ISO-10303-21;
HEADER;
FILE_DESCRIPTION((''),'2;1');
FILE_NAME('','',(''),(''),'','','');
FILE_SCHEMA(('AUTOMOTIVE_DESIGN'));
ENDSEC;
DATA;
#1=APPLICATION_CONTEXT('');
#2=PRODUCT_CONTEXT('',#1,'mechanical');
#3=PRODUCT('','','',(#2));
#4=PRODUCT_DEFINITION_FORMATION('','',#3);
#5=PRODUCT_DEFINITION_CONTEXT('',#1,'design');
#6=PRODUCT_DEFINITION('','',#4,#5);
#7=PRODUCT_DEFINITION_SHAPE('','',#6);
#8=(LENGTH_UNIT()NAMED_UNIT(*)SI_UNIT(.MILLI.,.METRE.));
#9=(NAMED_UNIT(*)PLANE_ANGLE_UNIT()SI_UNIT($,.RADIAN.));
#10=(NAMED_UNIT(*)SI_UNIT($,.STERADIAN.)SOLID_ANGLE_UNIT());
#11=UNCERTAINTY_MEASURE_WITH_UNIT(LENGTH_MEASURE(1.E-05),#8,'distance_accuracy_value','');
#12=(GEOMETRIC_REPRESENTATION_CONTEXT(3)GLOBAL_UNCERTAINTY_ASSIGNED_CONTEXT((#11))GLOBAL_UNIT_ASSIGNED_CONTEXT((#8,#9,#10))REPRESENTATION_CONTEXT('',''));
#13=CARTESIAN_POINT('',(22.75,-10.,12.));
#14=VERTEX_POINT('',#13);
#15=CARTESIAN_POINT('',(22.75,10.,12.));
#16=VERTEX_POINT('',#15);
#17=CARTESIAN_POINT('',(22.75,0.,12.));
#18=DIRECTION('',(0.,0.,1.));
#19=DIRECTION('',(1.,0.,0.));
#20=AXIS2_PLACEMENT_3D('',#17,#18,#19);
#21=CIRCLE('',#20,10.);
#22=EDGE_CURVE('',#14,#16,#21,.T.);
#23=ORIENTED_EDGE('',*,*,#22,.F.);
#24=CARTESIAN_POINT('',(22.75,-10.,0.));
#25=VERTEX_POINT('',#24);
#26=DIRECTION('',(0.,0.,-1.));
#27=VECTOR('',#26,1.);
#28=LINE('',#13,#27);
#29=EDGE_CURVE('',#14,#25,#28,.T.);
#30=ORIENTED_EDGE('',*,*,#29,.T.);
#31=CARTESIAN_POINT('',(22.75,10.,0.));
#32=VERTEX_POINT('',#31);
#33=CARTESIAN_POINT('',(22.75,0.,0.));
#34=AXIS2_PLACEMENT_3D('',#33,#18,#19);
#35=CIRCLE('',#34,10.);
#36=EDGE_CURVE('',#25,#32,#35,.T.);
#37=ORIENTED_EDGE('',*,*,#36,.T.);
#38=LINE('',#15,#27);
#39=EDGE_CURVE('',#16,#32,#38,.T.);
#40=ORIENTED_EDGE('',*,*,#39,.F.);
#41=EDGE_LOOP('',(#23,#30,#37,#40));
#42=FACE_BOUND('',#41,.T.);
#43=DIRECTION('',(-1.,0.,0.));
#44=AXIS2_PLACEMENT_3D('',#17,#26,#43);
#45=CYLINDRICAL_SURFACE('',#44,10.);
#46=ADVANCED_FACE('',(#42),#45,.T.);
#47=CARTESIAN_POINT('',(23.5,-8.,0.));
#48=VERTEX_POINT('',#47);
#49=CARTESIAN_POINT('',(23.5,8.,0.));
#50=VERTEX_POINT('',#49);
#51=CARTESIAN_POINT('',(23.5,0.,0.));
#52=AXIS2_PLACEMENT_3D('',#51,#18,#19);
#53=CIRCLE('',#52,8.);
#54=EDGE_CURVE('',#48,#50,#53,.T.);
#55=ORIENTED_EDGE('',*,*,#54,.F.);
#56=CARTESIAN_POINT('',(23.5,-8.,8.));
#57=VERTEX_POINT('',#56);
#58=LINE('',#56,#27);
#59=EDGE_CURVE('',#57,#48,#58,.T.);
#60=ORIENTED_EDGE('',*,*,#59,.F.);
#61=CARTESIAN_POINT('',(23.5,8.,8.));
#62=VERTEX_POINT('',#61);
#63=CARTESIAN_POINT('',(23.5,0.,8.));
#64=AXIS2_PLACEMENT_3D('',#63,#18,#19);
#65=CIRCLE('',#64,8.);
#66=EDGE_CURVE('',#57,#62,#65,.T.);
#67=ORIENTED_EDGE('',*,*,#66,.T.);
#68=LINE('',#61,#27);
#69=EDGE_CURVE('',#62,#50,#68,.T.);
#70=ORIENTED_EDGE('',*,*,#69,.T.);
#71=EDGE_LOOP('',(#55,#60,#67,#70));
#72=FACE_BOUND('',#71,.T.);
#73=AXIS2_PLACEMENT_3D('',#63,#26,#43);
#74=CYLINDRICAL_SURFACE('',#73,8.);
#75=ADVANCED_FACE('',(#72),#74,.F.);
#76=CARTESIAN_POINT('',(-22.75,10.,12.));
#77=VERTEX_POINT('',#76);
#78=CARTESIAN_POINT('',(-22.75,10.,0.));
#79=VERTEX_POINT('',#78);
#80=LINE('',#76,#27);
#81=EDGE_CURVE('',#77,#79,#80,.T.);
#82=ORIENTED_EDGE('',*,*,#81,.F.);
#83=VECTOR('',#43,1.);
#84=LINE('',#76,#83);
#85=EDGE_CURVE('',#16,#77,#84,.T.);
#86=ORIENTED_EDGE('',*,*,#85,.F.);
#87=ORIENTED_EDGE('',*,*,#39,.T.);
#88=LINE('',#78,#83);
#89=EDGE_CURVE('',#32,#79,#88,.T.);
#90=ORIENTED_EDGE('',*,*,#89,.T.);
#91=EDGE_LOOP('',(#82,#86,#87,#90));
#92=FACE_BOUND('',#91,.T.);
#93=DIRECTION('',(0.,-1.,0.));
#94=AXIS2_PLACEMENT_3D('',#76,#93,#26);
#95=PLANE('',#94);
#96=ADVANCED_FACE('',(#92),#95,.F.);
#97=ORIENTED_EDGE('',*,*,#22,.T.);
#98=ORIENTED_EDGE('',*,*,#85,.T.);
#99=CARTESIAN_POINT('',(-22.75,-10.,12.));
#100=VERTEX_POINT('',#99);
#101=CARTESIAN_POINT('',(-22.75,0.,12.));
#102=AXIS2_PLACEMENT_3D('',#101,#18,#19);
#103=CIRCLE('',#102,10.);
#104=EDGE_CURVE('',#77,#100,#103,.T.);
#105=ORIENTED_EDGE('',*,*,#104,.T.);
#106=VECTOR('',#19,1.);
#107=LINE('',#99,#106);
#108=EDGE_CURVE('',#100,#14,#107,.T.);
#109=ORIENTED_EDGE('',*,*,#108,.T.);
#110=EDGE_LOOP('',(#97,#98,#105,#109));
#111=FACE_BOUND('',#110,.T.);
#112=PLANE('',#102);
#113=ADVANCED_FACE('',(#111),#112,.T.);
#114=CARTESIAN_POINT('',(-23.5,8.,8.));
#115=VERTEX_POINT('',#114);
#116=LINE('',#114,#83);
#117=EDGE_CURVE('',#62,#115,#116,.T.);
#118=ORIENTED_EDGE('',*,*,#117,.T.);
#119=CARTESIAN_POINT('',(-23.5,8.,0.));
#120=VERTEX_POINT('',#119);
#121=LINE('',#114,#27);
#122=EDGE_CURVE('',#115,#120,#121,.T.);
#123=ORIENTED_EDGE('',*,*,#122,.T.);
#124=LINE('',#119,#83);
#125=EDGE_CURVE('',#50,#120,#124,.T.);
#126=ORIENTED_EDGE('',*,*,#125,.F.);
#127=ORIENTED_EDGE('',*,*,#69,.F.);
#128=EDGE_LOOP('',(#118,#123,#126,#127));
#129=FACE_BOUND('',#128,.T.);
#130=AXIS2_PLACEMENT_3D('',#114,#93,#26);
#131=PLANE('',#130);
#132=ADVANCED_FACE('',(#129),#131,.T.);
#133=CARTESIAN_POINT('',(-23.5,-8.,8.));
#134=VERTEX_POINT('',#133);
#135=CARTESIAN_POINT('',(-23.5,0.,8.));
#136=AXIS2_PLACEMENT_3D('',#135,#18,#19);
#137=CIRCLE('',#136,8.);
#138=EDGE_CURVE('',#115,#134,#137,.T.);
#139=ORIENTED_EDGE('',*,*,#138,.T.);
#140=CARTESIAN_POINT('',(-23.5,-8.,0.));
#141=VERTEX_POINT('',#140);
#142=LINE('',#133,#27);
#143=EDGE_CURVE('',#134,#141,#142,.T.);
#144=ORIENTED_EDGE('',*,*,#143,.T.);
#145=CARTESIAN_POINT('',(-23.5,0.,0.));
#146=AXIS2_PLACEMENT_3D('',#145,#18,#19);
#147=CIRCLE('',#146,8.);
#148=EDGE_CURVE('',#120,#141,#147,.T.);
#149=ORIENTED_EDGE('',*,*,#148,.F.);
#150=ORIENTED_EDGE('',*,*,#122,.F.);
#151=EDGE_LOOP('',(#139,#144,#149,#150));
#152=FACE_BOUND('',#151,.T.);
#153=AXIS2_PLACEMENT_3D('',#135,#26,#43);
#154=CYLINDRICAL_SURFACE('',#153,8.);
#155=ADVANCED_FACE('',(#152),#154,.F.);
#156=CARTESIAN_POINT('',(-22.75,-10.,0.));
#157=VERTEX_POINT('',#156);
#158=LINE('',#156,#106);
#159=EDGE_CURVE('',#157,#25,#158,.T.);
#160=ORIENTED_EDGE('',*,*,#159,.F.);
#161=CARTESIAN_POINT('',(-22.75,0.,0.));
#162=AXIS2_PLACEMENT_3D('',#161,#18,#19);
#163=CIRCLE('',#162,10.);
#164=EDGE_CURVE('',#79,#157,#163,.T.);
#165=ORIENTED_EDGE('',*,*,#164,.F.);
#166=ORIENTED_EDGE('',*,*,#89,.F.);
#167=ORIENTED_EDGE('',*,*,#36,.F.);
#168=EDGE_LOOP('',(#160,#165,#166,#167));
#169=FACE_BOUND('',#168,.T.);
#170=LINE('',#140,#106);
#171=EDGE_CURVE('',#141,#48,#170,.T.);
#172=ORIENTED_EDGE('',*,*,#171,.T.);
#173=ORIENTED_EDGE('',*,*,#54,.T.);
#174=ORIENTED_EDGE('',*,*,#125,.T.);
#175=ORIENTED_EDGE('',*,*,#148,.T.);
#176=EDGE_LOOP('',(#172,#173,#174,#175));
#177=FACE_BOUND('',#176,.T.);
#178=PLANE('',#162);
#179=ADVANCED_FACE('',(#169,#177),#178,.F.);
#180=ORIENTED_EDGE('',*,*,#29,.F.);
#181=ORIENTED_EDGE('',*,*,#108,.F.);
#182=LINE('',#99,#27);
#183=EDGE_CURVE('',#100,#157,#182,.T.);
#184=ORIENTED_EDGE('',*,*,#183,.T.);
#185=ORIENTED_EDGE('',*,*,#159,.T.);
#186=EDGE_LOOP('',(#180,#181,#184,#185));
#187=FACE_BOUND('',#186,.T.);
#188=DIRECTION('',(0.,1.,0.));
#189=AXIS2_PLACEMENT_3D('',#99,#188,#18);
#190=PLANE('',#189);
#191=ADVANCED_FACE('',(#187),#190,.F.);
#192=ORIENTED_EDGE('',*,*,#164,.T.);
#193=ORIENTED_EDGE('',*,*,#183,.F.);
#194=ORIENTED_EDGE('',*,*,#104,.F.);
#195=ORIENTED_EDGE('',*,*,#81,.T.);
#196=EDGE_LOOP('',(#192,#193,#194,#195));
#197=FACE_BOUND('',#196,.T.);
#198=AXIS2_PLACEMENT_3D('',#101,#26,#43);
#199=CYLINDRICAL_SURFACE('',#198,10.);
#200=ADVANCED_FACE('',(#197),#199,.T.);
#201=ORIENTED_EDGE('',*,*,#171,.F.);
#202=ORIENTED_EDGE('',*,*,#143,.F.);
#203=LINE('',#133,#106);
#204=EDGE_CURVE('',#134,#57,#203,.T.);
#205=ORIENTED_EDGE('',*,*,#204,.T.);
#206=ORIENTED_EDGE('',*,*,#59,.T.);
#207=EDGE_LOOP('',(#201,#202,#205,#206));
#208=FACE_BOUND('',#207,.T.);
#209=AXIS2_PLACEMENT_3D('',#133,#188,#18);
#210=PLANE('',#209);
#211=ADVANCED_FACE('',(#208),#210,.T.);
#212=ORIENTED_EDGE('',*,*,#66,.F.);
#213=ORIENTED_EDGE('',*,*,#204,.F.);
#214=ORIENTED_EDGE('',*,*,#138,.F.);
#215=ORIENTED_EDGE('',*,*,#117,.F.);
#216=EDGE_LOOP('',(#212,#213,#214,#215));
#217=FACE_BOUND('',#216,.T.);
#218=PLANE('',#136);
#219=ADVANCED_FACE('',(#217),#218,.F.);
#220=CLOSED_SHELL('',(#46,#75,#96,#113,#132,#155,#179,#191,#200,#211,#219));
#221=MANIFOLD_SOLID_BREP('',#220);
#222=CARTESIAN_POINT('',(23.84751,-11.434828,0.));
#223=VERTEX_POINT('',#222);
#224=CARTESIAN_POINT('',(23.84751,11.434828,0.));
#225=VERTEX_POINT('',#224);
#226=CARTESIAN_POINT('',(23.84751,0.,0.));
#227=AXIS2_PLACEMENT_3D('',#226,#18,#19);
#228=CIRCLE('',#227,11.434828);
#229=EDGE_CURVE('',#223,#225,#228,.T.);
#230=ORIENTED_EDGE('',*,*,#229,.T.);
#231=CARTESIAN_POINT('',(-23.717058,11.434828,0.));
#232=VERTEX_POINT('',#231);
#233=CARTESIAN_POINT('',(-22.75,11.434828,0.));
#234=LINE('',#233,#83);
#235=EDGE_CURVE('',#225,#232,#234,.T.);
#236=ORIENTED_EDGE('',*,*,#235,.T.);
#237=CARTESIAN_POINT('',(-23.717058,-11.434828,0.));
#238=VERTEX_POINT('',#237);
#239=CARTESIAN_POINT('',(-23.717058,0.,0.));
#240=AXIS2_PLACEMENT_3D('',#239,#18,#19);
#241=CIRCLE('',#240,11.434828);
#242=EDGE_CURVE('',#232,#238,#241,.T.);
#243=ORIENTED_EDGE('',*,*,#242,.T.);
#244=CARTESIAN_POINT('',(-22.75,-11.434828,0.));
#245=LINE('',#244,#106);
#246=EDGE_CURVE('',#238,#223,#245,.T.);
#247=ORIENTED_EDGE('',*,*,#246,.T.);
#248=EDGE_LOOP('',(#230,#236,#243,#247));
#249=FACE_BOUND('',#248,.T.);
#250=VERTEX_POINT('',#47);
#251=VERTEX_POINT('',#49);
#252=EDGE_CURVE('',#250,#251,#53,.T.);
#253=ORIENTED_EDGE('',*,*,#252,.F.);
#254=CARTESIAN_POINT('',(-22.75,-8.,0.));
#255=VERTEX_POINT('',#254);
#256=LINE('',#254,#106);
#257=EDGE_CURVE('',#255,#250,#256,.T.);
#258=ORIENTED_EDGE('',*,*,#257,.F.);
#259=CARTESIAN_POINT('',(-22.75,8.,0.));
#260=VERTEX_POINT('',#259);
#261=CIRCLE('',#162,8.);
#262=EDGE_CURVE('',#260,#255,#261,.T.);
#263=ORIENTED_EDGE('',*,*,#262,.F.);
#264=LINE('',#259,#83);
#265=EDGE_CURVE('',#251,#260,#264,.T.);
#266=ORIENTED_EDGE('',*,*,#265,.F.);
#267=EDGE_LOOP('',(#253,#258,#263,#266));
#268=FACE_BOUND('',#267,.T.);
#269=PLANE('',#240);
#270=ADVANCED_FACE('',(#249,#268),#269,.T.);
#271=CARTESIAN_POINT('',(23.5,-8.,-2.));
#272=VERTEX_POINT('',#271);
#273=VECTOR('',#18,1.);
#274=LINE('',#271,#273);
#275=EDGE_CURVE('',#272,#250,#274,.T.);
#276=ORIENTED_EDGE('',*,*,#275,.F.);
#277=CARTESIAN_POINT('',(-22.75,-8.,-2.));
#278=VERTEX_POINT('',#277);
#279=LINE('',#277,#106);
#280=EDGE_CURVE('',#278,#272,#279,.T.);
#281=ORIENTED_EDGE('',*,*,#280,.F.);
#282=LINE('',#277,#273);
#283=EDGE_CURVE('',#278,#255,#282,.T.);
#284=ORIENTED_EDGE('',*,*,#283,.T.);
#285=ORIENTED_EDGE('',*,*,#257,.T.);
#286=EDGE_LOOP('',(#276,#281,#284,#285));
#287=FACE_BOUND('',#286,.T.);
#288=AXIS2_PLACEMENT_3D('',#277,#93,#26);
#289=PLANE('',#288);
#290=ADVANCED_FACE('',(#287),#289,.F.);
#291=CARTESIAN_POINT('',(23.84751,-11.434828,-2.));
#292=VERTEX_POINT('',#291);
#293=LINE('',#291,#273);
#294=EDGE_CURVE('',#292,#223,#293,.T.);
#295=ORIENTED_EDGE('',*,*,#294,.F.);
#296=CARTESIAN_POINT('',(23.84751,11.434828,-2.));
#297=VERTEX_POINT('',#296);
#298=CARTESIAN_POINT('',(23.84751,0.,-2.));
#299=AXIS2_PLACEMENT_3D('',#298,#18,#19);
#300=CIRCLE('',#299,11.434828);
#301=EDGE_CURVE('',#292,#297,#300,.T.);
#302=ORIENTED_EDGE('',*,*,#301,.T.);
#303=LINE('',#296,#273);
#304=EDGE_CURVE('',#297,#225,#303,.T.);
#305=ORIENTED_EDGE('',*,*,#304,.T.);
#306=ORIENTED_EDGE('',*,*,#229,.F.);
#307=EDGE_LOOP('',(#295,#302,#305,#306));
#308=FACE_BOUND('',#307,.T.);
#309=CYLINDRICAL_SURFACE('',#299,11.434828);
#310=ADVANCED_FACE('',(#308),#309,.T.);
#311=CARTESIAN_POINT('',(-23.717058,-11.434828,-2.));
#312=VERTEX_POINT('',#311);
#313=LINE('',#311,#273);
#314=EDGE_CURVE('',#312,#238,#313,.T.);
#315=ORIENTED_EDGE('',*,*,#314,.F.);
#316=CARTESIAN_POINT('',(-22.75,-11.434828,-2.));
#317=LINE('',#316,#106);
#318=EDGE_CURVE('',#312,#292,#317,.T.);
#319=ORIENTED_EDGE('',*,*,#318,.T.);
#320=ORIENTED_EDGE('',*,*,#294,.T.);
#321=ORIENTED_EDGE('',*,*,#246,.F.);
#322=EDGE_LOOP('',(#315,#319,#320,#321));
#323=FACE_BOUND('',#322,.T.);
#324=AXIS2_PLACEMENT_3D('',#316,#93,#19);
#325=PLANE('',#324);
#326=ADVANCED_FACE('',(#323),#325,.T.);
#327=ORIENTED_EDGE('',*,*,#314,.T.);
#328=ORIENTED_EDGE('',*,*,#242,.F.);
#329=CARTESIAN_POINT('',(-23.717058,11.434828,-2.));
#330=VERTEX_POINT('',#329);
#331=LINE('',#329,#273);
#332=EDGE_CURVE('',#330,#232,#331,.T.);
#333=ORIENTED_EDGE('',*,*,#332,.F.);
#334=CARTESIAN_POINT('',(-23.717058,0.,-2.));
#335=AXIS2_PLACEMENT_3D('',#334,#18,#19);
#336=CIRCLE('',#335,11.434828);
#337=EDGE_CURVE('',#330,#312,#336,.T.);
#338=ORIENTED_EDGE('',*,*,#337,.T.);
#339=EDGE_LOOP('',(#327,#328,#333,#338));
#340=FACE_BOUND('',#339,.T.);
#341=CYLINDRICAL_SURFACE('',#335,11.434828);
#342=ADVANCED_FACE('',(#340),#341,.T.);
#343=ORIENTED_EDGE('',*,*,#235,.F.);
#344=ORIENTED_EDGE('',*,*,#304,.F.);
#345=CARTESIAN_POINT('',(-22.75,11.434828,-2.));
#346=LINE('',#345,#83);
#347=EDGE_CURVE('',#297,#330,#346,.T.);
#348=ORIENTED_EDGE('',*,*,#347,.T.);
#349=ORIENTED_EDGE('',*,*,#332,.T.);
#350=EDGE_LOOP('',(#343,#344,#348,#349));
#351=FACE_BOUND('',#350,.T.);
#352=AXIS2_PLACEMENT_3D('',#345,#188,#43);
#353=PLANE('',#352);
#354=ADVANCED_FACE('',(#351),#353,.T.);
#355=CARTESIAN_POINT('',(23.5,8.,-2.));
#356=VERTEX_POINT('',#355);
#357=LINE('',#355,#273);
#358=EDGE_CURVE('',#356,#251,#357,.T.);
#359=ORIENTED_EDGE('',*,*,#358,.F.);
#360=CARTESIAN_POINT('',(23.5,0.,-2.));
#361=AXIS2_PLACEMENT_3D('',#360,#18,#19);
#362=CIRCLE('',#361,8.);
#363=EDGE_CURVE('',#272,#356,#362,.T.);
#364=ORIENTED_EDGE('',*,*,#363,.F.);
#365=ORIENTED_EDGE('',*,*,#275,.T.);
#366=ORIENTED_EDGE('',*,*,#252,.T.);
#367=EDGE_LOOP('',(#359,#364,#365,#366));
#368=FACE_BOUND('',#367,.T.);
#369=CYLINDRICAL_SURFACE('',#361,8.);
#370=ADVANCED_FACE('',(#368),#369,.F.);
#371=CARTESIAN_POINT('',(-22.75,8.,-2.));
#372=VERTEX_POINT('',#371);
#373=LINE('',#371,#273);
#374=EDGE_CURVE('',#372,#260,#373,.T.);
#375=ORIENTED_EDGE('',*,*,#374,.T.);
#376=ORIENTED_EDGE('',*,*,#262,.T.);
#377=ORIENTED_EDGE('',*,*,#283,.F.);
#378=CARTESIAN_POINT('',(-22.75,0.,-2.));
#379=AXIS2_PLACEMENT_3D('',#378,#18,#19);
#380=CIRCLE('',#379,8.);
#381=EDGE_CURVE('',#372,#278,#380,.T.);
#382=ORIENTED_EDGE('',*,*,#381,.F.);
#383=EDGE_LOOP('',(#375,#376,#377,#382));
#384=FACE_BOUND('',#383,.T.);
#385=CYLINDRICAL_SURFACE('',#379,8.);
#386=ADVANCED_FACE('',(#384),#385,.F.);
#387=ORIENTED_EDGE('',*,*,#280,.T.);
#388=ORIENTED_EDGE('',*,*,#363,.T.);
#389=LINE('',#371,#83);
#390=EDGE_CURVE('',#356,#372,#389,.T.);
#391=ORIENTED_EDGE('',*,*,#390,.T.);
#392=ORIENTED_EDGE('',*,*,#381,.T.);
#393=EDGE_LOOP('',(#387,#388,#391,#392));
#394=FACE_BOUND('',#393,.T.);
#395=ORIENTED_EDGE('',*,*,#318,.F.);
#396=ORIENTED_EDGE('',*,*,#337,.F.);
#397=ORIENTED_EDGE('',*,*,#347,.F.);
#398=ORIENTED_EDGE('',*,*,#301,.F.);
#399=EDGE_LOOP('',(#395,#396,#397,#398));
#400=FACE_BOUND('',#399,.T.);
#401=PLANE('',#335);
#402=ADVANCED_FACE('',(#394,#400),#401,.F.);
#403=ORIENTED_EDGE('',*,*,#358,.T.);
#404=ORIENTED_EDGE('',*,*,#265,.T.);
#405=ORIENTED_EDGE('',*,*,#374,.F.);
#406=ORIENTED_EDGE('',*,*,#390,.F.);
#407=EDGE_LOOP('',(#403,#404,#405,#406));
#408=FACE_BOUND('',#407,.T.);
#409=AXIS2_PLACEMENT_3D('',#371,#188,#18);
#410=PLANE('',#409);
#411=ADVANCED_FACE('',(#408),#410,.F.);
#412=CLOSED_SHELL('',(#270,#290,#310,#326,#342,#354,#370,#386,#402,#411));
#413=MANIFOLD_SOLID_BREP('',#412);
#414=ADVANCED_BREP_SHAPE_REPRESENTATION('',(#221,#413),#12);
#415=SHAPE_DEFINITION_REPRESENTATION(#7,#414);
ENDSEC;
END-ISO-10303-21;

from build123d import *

# Parameters (mm, degrees)
BOSS_EXTRUDE1_DEPTH = 12
CUT_EXTRUDE1_DEPTH  = 8
BOSS_EXTRUDE2_START = -12
BOSS_EXTRUDE2_DEPTH = 2


with BuildPart() as part:
    # Sketch1 → Boss-Extrude1 (new body)
    with BuildSketch(Plane.XY):
        with BuildLine():
            Line((-22.75, 10), (22.75, 10))
            ThreePointArc((22.75, 10), (32.75, 0), (22.75, -10))
            Line((22.75, -10), (-22.75, -10))
            ThreePointArc((-22.75, -10), (-32.75, 0), (-22.75, 10))
        make_face()
    extrude(amount=BOSS_EXTRUDE1_DEPTH)

    # Sketch2 → Cut-Extrude1 (cut)
    with BuildSketch(Plane.XY):
        with BuildLine():
            Line((-23.5, 8), (23.5, 8))
            ThreePointArc((23.5, 8), (31.5, 0), (23.5, -8))
            Line((23.5, -8), (-23.5, -8))
            ThreePointArc((-23.5, -8), (-31.5, 0), (-23.5, 8))
        make_face()
    extrude(amount=CUT_EXTRUDE1_DEPTH, mode=Mode.SUBTRACT)


with BuildPart() as body_2:
    # Sketch3 → Boss-Extrude2 (new body)
    with BuildSketch(Plane.XY.offset(12).offset(BOSS_EXTRUDE2_START)):
        with BuildLine():
            Line((-23.717058044, 11.43482794), (23.847510299, 11.43482794))
            ThreePointArc((23.847510299, 11.43482794), (35.28233824, 0), (23.847510299, -11.43482794))
            Line((23.847510299, -11.43482794), (-23.717058044, -11.43482794))
            ThreePointArc((-23.717058044, -11.43482794), (-35.151885985, 0), (-23.717058044, 11.43482794))
        make_face()
        with BuildLine():
            Line((-22.75, 8), (23.5, 8))
            ThreePointArc((23.5, 8), (31.5, 0), (23.5, -8))
            Line((23.5, -8), (-22.75, -8))
            ThreePointArc((-22.75, -8), (-30.75, 0), (-22.75, 8))
        make_face(mode=Mode.SUBTRACT)
    extrude(amount=-BOSS_EXTRUDE2_DEPTH)


solid = Compound([part.part, body_2.part])
